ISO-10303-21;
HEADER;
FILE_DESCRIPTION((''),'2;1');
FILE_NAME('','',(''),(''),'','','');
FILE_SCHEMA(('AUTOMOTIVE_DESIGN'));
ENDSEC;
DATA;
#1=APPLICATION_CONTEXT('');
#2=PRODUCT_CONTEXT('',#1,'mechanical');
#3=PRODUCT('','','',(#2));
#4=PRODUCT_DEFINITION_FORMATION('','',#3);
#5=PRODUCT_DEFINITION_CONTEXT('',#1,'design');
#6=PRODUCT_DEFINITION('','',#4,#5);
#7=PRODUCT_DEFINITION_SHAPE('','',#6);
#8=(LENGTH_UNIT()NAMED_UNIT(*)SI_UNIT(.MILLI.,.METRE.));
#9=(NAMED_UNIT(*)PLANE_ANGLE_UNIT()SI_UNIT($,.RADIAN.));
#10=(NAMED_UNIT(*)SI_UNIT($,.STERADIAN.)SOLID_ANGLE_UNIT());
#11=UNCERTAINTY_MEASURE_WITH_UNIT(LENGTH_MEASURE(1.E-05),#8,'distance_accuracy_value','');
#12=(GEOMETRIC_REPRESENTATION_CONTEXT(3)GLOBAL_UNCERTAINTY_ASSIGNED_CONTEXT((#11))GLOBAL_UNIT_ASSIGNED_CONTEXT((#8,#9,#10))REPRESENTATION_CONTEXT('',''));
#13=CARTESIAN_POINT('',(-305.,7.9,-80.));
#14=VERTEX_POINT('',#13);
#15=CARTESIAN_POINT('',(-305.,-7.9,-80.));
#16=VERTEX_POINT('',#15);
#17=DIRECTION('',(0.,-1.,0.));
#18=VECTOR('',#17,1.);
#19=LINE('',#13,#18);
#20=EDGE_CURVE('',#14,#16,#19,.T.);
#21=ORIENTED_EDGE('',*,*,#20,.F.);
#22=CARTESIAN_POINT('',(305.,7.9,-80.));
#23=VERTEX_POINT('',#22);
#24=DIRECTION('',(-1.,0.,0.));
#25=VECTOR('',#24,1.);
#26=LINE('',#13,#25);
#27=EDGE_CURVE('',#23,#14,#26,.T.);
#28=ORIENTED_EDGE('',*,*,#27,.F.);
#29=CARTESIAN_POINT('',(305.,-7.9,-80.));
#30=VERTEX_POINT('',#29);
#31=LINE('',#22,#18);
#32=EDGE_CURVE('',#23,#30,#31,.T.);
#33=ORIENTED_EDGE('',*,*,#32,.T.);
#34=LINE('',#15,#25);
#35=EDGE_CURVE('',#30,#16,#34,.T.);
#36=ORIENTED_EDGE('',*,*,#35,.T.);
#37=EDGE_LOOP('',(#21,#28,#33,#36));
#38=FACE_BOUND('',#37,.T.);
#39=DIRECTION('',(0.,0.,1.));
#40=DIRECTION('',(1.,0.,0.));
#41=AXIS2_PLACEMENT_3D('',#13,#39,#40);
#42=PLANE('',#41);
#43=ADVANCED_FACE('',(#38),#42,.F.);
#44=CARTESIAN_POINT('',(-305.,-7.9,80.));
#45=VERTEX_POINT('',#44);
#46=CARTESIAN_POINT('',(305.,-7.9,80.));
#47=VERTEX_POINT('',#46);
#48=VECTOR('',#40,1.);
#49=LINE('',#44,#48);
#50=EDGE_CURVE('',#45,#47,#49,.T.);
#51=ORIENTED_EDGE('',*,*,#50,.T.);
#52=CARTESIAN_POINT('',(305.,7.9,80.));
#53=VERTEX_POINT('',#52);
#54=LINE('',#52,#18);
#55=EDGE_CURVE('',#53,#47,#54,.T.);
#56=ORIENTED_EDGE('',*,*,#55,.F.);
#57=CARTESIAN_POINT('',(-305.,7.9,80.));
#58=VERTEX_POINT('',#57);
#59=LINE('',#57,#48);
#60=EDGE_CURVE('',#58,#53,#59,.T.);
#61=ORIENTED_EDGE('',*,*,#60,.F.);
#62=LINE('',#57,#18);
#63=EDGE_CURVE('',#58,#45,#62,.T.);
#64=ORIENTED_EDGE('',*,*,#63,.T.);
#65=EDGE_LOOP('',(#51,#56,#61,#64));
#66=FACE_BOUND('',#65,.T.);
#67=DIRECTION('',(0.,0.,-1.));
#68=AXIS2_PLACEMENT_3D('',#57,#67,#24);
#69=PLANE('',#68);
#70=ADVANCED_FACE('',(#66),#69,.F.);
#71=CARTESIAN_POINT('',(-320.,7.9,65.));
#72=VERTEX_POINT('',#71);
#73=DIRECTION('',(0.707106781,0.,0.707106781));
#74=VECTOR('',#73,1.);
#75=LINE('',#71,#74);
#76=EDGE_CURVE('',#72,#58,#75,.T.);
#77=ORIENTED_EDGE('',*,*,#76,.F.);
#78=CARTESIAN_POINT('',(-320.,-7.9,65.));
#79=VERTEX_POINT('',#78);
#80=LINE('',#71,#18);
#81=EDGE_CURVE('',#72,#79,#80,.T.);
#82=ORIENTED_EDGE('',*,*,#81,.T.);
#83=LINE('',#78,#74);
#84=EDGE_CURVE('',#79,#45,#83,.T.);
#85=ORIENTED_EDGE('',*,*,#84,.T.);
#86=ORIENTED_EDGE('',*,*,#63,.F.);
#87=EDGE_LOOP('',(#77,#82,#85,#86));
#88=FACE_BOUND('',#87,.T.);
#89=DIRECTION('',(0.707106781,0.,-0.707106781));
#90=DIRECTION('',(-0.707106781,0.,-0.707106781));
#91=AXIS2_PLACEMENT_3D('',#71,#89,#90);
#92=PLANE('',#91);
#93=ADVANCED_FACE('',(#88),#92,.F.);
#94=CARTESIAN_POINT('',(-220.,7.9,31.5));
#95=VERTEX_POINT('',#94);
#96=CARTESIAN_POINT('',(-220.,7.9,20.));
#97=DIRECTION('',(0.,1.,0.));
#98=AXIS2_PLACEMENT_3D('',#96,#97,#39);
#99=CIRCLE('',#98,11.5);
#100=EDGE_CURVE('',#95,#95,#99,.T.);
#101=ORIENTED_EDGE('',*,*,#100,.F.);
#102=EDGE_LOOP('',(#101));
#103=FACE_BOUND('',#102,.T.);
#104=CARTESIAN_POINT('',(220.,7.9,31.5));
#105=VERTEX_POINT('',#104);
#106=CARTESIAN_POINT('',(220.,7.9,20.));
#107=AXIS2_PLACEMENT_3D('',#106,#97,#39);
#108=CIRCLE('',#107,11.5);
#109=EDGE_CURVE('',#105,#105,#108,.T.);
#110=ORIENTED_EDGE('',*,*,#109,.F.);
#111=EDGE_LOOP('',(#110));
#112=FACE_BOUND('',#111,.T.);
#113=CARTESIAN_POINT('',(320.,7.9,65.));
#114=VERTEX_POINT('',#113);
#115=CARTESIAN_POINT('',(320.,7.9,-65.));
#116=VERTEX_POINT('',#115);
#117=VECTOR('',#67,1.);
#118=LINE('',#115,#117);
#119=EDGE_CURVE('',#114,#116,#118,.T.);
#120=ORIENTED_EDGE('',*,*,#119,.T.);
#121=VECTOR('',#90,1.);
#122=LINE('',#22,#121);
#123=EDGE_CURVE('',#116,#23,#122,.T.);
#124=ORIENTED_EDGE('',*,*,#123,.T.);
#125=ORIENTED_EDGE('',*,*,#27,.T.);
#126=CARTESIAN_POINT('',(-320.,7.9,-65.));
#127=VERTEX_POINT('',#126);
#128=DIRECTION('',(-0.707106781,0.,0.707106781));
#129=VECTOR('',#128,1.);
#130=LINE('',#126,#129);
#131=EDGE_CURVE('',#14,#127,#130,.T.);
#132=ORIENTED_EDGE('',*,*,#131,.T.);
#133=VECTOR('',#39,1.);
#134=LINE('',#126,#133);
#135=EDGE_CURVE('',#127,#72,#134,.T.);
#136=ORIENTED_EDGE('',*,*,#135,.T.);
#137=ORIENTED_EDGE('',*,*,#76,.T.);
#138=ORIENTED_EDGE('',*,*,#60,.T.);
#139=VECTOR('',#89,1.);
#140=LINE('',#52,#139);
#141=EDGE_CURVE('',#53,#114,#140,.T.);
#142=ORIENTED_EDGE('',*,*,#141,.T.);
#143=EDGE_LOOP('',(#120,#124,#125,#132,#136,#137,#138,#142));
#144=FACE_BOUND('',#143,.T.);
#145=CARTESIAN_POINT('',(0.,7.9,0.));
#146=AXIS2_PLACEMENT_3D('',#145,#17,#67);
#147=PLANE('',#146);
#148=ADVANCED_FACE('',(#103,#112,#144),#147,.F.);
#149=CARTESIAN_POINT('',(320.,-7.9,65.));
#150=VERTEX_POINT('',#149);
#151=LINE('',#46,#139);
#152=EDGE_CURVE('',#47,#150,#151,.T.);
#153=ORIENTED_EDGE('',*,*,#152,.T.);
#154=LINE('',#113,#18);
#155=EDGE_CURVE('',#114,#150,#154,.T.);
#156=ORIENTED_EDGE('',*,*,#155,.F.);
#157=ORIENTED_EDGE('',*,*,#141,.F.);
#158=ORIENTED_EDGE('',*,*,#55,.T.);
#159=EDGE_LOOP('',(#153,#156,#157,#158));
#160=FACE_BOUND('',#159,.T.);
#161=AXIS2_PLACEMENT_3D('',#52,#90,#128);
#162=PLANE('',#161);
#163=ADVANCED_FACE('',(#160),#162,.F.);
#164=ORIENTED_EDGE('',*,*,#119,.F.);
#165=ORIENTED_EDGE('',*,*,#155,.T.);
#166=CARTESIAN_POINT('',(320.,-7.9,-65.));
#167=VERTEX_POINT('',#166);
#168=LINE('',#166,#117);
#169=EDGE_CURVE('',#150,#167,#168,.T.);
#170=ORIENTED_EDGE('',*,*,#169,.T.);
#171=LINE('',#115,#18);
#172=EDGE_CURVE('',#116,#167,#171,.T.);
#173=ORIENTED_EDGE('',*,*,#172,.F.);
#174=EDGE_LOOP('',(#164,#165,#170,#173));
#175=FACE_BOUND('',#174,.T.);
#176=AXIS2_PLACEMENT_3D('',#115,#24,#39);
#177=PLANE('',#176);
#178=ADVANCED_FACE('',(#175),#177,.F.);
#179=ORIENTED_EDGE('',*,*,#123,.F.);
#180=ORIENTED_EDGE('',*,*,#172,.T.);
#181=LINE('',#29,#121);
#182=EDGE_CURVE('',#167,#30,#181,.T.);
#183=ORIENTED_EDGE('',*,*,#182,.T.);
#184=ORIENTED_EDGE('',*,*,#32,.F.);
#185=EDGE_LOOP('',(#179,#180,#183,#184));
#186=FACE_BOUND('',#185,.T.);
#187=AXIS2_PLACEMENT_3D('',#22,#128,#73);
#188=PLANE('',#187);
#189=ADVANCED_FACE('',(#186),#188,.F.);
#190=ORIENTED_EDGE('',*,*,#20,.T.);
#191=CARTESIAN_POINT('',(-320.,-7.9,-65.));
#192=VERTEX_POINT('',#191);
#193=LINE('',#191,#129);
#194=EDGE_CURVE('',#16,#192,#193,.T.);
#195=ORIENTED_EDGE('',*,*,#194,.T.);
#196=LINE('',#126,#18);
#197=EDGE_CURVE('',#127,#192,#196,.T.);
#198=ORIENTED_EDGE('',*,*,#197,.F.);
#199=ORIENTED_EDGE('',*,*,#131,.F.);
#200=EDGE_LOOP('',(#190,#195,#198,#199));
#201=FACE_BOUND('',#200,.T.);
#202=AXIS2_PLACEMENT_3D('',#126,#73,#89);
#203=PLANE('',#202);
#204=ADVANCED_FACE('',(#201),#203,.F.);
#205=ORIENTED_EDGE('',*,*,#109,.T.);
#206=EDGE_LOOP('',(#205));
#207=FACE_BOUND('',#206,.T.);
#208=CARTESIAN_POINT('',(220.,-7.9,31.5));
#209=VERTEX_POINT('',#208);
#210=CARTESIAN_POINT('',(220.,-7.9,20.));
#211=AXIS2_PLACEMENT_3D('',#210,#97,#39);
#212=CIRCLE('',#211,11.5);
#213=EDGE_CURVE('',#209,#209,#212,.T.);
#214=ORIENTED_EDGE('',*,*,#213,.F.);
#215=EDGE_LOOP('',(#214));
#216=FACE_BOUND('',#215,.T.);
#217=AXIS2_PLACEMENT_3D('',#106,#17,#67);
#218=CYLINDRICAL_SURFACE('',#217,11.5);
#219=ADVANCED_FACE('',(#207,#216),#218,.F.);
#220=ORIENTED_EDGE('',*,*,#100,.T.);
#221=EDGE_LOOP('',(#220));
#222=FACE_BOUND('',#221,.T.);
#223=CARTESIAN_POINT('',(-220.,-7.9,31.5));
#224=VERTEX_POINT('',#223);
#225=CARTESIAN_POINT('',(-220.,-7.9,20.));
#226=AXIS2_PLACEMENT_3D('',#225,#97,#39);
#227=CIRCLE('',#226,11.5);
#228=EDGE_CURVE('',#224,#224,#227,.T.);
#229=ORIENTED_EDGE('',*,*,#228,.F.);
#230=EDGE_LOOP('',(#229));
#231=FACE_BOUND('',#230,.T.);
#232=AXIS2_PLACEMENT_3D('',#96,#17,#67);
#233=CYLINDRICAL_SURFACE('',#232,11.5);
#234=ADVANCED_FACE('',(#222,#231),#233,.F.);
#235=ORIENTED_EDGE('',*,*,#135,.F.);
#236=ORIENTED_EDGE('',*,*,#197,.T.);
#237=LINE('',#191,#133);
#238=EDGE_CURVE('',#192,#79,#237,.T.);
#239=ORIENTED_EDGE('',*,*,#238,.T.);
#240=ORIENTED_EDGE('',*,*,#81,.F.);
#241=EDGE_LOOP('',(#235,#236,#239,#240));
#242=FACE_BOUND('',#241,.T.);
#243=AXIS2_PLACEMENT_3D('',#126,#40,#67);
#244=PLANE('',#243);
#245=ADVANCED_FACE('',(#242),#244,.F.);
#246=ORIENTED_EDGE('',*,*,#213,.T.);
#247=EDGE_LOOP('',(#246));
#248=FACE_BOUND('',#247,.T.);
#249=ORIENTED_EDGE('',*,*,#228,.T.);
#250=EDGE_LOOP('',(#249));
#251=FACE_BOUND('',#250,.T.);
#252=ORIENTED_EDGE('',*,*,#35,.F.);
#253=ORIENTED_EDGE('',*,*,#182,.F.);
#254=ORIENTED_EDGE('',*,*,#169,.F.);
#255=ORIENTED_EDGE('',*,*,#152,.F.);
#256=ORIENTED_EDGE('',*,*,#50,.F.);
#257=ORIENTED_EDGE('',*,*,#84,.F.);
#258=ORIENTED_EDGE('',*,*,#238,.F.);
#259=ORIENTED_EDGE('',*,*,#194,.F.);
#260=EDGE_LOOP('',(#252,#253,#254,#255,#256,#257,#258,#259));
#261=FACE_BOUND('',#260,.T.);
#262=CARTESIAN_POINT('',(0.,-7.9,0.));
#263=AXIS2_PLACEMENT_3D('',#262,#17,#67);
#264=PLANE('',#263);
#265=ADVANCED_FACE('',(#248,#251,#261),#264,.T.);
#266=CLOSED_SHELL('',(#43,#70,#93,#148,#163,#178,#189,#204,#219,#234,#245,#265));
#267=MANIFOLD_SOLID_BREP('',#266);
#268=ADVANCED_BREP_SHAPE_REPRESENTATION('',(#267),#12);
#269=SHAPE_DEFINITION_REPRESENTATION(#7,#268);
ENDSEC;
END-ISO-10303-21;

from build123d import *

# Parameters (mm, degrees)
SKETCH1_R           = 11.5
BOSS_EXTRUDE1_DEPTH = 7.9


with BuildPart() as part:
    # Sketch1 → Boss-Extrude1 (new, symmetric)
    with BuildSketch(Plane(origin=(0, 0, 0), x_dir=(1, 0, 0), z_dir=(0, 1, 0))):
        Polygon((-320, 65), (-305, 80), (305, 80), (320, 65), (320, -65), (305, -80), (-305, -80), (-320, -65), align=None)
        with Locations(Location((-220, -20, 0), (0, 0, 270))):
            Circle(SKETCH1_R, mode=Mode.SUBTRACT)
        with Locations(Location((220, -20, 0), (0, 0, 270))):
            Circle(SKETCH1_R, mode=Mode.SUBTRACT)
    extrude(amount=BOSS_EXTRUDE1_DEPTH, both=True)


solid = part.part
